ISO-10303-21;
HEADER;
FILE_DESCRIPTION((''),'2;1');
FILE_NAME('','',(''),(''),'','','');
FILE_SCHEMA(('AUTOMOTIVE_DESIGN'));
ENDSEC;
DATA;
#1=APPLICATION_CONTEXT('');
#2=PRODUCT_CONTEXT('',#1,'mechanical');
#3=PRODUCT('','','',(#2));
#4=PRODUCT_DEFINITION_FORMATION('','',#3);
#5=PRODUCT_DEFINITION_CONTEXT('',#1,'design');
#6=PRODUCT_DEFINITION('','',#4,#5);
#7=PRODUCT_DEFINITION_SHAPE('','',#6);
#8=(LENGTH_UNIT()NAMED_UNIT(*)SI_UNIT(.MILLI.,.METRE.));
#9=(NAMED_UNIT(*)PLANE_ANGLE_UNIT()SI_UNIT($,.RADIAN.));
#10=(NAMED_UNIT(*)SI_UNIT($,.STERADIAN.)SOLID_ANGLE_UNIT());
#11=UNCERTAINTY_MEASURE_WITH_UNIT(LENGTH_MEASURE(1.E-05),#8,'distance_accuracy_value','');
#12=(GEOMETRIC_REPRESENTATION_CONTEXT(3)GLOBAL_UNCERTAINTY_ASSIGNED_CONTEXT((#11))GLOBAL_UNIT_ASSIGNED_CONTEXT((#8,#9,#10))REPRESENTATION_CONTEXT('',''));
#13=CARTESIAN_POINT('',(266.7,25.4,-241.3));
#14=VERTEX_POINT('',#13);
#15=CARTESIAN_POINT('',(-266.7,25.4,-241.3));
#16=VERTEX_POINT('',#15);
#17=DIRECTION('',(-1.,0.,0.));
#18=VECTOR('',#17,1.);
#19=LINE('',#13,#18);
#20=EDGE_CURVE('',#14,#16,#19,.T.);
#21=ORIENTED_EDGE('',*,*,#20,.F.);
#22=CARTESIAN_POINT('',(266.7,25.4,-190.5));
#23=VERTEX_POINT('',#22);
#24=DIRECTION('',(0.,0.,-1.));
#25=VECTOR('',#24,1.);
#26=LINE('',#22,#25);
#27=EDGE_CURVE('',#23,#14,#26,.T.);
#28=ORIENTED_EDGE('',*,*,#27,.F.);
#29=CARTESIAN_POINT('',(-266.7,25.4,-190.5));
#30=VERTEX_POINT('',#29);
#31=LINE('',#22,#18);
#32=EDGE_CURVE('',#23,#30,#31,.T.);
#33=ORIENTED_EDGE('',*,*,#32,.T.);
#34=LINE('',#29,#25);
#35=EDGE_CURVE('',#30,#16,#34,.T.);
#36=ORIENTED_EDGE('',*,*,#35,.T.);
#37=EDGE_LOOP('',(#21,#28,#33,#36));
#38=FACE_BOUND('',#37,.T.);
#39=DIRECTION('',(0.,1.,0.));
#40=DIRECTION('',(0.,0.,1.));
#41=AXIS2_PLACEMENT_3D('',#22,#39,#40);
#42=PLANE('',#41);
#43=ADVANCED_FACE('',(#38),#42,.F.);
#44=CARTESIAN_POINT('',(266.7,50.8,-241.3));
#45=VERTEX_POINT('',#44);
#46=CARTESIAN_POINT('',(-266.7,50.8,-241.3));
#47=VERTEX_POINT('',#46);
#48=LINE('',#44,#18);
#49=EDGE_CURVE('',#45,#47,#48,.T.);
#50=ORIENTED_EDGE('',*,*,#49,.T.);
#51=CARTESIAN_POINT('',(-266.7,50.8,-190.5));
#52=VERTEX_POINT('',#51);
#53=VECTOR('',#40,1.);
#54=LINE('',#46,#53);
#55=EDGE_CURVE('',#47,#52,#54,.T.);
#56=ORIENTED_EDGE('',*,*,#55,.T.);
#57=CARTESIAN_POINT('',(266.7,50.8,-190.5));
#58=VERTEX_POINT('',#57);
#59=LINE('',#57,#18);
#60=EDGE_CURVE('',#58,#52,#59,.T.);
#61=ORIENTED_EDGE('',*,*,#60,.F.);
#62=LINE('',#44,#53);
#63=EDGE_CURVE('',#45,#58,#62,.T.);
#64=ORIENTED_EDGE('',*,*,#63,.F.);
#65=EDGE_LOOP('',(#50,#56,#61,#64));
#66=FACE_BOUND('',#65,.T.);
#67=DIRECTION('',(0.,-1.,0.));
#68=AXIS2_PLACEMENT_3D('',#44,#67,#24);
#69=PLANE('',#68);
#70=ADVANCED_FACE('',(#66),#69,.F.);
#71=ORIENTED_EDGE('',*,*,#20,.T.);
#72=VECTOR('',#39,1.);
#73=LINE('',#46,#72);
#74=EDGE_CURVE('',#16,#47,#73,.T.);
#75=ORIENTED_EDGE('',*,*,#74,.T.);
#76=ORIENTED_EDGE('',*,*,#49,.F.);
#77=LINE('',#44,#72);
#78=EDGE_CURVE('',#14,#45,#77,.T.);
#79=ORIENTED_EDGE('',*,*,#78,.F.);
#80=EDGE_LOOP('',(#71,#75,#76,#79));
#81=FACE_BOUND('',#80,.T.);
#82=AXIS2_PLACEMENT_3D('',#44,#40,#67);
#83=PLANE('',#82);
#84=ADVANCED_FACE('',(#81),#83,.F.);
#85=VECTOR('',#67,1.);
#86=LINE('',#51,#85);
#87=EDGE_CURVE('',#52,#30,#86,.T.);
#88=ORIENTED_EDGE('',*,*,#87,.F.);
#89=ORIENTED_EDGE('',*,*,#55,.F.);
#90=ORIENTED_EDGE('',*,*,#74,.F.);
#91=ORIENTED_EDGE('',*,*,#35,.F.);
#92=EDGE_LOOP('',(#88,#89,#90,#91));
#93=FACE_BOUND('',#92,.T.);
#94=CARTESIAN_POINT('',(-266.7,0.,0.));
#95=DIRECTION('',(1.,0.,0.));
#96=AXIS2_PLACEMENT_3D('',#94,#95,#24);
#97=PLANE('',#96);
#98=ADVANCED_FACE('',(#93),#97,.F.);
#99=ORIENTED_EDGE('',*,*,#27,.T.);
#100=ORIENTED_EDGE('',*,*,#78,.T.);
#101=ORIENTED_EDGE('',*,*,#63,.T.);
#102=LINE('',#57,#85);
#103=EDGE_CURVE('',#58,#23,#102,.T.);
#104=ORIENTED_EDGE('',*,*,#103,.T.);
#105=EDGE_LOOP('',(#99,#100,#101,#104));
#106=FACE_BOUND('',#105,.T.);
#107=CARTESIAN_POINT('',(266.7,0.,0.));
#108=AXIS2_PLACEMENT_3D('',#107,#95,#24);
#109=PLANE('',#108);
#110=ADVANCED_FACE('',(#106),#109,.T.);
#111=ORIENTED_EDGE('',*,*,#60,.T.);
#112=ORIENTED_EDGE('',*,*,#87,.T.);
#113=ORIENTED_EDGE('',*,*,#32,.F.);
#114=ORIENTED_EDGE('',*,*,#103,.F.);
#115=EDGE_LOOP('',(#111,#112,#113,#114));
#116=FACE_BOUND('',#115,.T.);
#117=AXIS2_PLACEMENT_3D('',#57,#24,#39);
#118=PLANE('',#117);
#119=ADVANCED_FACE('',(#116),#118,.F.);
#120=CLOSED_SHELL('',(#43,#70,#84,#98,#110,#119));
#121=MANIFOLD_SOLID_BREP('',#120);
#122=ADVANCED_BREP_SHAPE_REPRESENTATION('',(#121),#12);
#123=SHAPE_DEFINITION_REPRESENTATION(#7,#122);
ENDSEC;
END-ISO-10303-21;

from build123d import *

# Parameters (mm, degrees)
BOSS_EXTRUDE1_DEPTH      = 266.7
BOSS_EXTRUDE1_DEPTH_BACK = 266.7
SKETCH1_W                = 50.8
SKETCH1_H                = 25.4


with BuildPart() as part:
    # Sketch1 → Boss-Extrude1 (new, two sides: drawn at the far end of the back side and taken through both)
    with BuildSketch(Plane(origin=(0, 0, 0), x_dir=(0, 0, -1), z_dir=(1, 0, 0)).offset(-BOSS_EXTRUDE1_DEPTH_BACK)):
        with Locations((215.9, 38.1)):
            Rectangle(SKETCH1_W, SKETCH1_H)
    extrude(amount=BOSS_EXTRUDE1_DEPTH + BOSS_EXTRUDE1_DEPTH_BACK)


solid = part.part
